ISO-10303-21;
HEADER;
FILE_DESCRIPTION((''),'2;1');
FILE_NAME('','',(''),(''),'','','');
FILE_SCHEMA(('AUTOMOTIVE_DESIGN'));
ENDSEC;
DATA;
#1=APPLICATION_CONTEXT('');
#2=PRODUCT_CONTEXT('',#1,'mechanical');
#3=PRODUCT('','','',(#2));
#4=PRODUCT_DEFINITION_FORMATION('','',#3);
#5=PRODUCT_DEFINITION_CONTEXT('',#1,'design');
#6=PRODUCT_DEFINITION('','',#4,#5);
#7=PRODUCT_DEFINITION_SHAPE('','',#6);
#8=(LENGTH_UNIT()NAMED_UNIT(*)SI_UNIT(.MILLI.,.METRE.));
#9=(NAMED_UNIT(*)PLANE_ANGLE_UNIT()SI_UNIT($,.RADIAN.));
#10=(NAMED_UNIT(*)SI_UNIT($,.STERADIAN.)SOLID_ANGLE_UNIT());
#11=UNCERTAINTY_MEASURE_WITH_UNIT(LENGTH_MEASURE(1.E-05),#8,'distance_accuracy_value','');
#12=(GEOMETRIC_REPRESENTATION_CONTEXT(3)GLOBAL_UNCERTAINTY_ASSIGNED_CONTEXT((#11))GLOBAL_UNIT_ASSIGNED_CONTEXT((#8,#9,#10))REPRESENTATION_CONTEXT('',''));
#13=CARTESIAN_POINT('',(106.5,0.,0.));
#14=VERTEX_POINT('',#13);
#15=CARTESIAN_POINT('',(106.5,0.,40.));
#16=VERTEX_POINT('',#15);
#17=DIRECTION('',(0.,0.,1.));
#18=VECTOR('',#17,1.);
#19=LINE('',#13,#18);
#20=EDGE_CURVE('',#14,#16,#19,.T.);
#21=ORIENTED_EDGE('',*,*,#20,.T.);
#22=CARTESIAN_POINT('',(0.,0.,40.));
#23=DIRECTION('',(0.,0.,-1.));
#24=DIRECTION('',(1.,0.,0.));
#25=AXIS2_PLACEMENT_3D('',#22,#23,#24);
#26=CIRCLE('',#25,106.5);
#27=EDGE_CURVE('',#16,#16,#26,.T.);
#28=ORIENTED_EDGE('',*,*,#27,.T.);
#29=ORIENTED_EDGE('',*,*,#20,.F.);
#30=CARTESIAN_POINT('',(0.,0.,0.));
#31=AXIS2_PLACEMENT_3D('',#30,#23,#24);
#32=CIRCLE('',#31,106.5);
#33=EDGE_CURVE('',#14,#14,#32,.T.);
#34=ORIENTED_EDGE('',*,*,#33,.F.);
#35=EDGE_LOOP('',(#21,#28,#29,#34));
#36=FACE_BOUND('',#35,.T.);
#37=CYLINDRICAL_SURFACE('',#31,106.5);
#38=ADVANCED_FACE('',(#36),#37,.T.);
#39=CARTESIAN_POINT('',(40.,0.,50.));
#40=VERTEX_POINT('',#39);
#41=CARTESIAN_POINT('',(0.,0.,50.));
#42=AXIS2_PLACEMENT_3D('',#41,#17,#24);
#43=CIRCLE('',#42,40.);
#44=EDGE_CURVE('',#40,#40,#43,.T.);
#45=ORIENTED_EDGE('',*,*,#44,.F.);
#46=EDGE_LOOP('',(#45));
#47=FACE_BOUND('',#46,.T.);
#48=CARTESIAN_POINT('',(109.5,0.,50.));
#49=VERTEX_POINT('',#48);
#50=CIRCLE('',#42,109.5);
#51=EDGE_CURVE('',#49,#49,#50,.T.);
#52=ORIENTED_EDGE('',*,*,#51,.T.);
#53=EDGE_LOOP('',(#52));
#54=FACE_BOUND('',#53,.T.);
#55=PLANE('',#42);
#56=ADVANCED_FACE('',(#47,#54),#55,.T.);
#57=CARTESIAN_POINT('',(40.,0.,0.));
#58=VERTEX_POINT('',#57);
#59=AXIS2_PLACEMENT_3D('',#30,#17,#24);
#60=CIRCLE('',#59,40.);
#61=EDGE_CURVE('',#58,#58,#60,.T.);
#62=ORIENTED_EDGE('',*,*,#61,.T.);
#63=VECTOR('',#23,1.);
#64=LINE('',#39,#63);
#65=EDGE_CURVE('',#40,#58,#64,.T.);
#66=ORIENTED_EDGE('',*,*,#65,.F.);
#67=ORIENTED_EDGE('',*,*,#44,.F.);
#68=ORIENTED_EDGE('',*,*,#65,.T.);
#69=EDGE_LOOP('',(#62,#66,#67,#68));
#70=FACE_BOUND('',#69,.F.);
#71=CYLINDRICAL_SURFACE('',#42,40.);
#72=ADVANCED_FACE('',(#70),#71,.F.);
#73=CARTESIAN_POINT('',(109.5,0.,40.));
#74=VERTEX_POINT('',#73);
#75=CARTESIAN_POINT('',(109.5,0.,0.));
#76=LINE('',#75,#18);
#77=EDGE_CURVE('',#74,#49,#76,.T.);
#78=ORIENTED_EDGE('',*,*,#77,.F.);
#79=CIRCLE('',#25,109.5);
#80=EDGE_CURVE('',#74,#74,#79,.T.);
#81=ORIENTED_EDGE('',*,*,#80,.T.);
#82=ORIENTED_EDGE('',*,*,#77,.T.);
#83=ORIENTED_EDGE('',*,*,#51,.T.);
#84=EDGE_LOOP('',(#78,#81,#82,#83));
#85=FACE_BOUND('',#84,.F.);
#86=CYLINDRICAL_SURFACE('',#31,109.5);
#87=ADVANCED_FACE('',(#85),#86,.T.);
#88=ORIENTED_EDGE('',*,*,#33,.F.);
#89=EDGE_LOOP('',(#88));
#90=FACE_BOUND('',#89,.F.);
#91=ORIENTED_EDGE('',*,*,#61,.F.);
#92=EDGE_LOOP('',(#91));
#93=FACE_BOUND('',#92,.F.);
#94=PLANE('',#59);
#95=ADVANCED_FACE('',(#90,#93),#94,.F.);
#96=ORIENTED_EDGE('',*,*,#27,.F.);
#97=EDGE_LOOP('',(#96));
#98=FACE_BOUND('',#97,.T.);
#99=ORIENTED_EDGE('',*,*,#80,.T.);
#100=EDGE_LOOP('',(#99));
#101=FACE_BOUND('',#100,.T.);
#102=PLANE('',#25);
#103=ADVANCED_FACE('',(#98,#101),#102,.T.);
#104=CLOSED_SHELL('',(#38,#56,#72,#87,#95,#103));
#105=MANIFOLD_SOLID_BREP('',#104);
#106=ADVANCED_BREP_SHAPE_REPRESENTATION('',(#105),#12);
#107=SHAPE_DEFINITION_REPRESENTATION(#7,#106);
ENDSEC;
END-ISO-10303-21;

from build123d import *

# Parameters (mm, degrees)
F0_R     = 109.5
F1_DEPTH = 50
F2_R     = 109.5
F2_R_2   = 106.5
F3_DEPTH = 40
F4_R     = 40
F5_DEPTH = 50.001


with BuildPart() as f1:
    # F0 (on Top) → F1 (new body)
    with BuildSketch(Plane.XY):
        Circle(F0_R)
    extrude(amount=F1_DEPTH)

    # F2 (on face) → F3 (cut)
    with BuildSketch(Plane(origin=(0, 0, 0), x_dir=(1, 0, 0), z_dir=(0, 0, -1))):
        Circle(F2_R)
        Circle(F2_R_2, mode=Mode.SUBTRACT)
    extrude(amount=-F3_DEPTH, mode=Mode.SUBTRACT)

    # F4 (on face) → F5 (cut, through all)
    with BuildSketch(Plane.XY.offset(50)):
        Circle(F4_R)
    extrude(amount=-F5_DEPTH, mode=Mode.SUBTRACT)


solid = f1.part
